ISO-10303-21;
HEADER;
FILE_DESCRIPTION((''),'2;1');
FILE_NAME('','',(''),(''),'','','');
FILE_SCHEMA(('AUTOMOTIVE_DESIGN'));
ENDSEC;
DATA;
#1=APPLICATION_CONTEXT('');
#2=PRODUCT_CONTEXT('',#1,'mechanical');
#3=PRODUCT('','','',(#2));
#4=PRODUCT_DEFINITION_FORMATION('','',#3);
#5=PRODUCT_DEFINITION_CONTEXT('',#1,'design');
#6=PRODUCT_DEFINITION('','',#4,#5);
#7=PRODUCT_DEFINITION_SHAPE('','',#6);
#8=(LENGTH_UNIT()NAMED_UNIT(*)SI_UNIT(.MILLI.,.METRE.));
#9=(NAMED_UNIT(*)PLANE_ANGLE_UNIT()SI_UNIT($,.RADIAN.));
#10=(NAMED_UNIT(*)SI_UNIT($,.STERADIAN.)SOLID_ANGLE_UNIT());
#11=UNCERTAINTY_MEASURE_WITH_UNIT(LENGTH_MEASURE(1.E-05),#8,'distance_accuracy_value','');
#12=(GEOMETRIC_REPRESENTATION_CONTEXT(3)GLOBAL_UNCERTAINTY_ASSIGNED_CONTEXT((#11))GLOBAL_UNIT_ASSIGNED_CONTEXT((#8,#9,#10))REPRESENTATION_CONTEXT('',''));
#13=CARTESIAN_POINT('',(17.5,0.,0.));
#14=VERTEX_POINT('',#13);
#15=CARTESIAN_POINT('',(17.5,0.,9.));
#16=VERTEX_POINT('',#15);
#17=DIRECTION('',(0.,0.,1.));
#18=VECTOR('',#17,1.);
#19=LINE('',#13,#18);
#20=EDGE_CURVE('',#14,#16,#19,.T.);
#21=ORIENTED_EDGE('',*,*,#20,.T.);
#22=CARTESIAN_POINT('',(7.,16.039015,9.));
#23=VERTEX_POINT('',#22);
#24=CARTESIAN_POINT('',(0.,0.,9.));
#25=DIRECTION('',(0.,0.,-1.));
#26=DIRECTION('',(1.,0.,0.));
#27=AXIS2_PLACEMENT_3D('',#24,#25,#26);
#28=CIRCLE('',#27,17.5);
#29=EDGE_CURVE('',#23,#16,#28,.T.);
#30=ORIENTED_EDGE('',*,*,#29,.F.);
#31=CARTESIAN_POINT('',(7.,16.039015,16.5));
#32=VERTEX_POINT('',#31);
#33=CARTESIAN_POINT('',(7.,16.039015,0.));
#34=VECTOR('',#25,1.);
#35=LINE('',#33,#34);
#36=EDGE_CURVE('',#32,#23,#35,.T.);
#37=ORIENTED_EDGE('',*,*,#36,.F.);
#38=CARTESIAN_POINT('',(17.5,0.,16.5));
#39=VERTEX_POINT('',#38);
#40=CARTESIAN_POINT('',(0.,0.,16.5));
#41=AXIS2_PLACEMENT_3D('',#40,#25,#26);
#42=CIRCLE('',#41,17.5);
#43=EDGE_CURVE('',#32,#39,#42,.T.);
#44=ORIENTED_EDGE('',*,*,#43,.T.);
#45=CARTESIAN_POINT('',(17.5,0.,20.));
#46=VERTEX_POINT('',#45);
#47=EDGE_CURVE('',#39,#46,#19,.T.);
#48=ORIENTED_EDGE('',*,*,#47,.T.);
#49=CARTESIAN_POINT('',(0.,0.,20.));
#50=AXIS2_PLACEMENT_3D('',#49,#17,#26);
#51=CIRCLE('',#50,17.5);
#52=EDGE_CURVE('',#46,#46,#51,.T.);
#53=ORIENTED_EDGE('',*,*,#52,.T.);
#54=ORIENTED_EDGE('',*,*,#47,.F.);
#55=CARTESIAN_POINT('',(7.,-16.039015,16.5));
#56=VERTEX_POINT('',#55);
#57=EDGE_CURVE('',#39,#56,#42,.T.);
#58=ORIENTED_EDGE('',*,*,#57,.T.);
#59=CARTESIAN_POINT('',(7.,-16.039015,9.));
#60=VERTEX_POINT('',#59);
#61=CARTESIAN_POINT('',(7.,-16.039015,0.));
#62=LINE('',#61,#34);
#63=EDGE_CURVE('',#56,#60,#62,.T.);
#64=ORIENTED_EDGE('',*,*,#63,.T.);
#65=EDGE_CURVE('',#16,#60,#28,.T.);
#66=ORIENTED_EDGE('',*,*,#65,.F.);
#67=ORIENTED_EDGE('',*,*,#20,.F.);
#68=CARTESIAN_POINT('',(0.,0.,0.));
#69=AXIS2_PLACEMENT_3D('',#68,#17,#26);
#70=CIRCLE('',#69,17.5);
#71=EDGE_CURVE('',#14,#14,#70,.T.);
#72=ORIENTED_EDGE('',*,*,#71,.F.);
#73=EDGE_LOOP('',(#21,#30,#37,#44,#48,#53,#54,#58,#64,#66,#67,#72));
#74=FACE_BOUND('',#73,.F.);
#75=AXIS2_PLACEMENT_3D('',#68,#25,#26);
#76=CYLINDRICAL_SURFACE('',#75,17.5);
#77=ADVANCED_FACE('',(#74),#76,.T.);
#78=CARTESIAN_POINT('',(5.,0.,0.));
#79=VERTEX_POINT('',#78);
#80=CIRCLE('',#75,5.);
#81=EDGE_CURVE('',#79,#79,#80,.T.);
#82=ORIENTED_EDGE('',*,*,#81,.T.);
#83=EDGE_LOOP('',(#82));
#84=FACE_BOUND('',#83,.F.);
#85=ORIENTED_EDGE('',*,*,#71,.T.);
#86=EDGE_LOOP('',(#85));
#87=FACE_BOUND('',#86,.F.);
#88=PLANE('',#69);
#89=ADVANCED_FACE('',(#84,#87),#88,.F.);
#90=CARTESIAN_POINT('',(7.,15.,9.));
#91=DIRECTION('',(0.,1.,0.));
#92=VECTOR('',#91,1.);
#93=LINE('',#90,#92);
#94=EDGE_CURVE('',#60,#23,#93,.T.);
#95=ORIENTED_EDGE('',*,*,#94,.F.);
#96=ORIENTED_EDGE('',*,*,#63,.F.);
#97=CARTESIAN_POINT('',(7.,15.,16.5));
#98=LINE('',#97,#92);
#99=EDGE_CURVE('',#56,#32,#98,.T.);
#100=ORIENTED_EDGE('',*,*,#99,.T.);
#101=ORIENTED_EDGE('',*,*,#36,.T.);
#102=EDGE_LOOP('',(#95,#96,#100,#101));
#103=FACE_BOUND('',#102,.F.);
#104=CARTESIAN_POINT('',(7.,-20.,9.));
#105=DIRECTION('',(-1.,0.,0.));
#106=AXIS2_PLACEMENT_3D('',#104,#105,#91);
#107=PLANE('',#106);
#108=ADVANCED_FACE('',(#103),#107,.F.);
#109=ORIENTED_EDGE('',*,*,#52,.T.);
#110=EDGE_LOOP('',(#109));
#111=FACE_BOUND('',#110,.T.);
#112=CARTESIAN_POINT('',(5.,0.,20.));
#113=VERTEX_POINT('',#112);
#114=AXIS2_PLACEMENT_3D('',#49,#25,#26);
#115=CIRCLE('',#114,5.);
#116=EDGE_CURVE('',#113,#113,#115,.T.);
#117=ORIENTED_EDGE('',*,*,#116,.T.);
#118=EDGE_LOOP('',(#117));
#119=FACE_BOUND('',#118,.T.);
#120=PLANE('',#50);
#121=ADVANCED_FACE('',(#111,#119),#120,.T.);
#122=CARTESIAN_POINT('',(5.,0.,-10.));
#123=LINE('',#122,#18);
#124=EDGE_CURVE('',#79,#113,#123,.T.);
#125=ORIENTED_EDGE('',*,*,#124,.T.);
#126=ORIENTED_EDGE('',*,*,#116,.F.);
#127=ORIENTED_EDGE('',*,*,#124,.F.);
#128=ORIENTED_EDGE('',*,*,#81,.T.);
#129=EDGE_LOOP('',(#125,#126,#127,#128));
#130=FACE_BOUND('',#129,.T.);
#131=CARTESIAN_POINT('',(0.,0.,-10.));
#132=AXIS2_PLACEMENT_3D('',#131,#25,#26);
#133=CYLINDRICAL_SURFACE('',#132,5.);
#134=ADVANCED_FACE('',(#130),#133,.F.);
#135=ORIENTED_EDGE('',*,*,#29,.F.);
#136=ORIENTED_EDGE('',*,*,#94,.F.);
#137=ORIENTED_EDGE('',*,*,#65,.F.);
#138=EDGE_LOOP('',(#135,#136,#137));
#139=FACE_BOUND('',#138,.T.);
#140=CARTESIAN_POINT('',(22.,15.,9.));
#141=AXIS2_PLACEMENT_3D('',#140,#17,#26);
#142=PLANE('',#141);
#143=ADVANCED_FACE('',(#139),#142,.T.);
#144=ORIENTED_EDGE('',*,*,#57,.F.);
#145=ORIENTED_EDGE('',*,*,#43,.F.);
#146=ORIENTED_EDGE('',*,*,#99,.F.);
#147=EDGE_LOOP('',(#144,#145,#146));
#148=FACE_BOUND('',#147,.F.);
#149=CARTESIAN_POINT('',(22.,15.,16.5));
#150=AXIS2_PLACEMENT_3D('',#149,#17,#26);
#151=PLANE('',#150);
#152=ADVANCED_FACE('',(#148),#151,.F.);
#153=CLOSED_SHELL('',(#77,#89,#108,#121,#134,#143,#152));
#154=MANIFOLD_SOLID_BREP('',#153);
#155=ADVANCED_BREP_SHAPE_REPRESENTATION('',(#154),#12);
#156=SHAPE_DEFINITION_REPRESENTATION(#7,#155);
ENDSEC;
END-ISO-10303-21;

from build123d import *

# Parameters (mm, degrees)
BOX001_W          = 30
BOX001_H          = 70
BOX001_DEPTH      = 7.5
CYLINDER003_R     = 5
CYLINDER003_DEPTH = 40
CYLINDER002_R     = 17.5
CYLINDER002_DEPTH = 20


with BuildPart() as cube001:
    # Box001 → Box001 (new body)
    with BuildSketch(Plane(origin=(7, -20, 9), x_dir=(1, 0, 0), z_dir=(0, 0, 1))):
        with Locations((15, 35)):
            Rectangle(BOX001_W, BOX001_H)
    extrude(amount=BOX001_DEPTH)


with BuildPart() as cylinder003:
    # Cylinder003 → Cylinder003 (new body)
    with BuildSketch(Plane.XY.offset(-10)):
        Circle(CYLINDER003_R)
    extrude(amount=CYLINDER003_DEPTH)


with BuildPart() as mount_top:
    # Cylinder002 → Cylinder002 (new body)
    with BuildSketch(Plane.XY):
        Circle(CYLINDER002_R)
    extrude(amount=CYLINDER002_DEPTH)

    # Cut002: cut Cylinder003
    add(cylinder003.part, mode=Mode.SUBTRACT)

    # Cut003: cut Cube001
    add(cube001.part, mode=Mode.SUBTRACT)


solid = mount_top.part
